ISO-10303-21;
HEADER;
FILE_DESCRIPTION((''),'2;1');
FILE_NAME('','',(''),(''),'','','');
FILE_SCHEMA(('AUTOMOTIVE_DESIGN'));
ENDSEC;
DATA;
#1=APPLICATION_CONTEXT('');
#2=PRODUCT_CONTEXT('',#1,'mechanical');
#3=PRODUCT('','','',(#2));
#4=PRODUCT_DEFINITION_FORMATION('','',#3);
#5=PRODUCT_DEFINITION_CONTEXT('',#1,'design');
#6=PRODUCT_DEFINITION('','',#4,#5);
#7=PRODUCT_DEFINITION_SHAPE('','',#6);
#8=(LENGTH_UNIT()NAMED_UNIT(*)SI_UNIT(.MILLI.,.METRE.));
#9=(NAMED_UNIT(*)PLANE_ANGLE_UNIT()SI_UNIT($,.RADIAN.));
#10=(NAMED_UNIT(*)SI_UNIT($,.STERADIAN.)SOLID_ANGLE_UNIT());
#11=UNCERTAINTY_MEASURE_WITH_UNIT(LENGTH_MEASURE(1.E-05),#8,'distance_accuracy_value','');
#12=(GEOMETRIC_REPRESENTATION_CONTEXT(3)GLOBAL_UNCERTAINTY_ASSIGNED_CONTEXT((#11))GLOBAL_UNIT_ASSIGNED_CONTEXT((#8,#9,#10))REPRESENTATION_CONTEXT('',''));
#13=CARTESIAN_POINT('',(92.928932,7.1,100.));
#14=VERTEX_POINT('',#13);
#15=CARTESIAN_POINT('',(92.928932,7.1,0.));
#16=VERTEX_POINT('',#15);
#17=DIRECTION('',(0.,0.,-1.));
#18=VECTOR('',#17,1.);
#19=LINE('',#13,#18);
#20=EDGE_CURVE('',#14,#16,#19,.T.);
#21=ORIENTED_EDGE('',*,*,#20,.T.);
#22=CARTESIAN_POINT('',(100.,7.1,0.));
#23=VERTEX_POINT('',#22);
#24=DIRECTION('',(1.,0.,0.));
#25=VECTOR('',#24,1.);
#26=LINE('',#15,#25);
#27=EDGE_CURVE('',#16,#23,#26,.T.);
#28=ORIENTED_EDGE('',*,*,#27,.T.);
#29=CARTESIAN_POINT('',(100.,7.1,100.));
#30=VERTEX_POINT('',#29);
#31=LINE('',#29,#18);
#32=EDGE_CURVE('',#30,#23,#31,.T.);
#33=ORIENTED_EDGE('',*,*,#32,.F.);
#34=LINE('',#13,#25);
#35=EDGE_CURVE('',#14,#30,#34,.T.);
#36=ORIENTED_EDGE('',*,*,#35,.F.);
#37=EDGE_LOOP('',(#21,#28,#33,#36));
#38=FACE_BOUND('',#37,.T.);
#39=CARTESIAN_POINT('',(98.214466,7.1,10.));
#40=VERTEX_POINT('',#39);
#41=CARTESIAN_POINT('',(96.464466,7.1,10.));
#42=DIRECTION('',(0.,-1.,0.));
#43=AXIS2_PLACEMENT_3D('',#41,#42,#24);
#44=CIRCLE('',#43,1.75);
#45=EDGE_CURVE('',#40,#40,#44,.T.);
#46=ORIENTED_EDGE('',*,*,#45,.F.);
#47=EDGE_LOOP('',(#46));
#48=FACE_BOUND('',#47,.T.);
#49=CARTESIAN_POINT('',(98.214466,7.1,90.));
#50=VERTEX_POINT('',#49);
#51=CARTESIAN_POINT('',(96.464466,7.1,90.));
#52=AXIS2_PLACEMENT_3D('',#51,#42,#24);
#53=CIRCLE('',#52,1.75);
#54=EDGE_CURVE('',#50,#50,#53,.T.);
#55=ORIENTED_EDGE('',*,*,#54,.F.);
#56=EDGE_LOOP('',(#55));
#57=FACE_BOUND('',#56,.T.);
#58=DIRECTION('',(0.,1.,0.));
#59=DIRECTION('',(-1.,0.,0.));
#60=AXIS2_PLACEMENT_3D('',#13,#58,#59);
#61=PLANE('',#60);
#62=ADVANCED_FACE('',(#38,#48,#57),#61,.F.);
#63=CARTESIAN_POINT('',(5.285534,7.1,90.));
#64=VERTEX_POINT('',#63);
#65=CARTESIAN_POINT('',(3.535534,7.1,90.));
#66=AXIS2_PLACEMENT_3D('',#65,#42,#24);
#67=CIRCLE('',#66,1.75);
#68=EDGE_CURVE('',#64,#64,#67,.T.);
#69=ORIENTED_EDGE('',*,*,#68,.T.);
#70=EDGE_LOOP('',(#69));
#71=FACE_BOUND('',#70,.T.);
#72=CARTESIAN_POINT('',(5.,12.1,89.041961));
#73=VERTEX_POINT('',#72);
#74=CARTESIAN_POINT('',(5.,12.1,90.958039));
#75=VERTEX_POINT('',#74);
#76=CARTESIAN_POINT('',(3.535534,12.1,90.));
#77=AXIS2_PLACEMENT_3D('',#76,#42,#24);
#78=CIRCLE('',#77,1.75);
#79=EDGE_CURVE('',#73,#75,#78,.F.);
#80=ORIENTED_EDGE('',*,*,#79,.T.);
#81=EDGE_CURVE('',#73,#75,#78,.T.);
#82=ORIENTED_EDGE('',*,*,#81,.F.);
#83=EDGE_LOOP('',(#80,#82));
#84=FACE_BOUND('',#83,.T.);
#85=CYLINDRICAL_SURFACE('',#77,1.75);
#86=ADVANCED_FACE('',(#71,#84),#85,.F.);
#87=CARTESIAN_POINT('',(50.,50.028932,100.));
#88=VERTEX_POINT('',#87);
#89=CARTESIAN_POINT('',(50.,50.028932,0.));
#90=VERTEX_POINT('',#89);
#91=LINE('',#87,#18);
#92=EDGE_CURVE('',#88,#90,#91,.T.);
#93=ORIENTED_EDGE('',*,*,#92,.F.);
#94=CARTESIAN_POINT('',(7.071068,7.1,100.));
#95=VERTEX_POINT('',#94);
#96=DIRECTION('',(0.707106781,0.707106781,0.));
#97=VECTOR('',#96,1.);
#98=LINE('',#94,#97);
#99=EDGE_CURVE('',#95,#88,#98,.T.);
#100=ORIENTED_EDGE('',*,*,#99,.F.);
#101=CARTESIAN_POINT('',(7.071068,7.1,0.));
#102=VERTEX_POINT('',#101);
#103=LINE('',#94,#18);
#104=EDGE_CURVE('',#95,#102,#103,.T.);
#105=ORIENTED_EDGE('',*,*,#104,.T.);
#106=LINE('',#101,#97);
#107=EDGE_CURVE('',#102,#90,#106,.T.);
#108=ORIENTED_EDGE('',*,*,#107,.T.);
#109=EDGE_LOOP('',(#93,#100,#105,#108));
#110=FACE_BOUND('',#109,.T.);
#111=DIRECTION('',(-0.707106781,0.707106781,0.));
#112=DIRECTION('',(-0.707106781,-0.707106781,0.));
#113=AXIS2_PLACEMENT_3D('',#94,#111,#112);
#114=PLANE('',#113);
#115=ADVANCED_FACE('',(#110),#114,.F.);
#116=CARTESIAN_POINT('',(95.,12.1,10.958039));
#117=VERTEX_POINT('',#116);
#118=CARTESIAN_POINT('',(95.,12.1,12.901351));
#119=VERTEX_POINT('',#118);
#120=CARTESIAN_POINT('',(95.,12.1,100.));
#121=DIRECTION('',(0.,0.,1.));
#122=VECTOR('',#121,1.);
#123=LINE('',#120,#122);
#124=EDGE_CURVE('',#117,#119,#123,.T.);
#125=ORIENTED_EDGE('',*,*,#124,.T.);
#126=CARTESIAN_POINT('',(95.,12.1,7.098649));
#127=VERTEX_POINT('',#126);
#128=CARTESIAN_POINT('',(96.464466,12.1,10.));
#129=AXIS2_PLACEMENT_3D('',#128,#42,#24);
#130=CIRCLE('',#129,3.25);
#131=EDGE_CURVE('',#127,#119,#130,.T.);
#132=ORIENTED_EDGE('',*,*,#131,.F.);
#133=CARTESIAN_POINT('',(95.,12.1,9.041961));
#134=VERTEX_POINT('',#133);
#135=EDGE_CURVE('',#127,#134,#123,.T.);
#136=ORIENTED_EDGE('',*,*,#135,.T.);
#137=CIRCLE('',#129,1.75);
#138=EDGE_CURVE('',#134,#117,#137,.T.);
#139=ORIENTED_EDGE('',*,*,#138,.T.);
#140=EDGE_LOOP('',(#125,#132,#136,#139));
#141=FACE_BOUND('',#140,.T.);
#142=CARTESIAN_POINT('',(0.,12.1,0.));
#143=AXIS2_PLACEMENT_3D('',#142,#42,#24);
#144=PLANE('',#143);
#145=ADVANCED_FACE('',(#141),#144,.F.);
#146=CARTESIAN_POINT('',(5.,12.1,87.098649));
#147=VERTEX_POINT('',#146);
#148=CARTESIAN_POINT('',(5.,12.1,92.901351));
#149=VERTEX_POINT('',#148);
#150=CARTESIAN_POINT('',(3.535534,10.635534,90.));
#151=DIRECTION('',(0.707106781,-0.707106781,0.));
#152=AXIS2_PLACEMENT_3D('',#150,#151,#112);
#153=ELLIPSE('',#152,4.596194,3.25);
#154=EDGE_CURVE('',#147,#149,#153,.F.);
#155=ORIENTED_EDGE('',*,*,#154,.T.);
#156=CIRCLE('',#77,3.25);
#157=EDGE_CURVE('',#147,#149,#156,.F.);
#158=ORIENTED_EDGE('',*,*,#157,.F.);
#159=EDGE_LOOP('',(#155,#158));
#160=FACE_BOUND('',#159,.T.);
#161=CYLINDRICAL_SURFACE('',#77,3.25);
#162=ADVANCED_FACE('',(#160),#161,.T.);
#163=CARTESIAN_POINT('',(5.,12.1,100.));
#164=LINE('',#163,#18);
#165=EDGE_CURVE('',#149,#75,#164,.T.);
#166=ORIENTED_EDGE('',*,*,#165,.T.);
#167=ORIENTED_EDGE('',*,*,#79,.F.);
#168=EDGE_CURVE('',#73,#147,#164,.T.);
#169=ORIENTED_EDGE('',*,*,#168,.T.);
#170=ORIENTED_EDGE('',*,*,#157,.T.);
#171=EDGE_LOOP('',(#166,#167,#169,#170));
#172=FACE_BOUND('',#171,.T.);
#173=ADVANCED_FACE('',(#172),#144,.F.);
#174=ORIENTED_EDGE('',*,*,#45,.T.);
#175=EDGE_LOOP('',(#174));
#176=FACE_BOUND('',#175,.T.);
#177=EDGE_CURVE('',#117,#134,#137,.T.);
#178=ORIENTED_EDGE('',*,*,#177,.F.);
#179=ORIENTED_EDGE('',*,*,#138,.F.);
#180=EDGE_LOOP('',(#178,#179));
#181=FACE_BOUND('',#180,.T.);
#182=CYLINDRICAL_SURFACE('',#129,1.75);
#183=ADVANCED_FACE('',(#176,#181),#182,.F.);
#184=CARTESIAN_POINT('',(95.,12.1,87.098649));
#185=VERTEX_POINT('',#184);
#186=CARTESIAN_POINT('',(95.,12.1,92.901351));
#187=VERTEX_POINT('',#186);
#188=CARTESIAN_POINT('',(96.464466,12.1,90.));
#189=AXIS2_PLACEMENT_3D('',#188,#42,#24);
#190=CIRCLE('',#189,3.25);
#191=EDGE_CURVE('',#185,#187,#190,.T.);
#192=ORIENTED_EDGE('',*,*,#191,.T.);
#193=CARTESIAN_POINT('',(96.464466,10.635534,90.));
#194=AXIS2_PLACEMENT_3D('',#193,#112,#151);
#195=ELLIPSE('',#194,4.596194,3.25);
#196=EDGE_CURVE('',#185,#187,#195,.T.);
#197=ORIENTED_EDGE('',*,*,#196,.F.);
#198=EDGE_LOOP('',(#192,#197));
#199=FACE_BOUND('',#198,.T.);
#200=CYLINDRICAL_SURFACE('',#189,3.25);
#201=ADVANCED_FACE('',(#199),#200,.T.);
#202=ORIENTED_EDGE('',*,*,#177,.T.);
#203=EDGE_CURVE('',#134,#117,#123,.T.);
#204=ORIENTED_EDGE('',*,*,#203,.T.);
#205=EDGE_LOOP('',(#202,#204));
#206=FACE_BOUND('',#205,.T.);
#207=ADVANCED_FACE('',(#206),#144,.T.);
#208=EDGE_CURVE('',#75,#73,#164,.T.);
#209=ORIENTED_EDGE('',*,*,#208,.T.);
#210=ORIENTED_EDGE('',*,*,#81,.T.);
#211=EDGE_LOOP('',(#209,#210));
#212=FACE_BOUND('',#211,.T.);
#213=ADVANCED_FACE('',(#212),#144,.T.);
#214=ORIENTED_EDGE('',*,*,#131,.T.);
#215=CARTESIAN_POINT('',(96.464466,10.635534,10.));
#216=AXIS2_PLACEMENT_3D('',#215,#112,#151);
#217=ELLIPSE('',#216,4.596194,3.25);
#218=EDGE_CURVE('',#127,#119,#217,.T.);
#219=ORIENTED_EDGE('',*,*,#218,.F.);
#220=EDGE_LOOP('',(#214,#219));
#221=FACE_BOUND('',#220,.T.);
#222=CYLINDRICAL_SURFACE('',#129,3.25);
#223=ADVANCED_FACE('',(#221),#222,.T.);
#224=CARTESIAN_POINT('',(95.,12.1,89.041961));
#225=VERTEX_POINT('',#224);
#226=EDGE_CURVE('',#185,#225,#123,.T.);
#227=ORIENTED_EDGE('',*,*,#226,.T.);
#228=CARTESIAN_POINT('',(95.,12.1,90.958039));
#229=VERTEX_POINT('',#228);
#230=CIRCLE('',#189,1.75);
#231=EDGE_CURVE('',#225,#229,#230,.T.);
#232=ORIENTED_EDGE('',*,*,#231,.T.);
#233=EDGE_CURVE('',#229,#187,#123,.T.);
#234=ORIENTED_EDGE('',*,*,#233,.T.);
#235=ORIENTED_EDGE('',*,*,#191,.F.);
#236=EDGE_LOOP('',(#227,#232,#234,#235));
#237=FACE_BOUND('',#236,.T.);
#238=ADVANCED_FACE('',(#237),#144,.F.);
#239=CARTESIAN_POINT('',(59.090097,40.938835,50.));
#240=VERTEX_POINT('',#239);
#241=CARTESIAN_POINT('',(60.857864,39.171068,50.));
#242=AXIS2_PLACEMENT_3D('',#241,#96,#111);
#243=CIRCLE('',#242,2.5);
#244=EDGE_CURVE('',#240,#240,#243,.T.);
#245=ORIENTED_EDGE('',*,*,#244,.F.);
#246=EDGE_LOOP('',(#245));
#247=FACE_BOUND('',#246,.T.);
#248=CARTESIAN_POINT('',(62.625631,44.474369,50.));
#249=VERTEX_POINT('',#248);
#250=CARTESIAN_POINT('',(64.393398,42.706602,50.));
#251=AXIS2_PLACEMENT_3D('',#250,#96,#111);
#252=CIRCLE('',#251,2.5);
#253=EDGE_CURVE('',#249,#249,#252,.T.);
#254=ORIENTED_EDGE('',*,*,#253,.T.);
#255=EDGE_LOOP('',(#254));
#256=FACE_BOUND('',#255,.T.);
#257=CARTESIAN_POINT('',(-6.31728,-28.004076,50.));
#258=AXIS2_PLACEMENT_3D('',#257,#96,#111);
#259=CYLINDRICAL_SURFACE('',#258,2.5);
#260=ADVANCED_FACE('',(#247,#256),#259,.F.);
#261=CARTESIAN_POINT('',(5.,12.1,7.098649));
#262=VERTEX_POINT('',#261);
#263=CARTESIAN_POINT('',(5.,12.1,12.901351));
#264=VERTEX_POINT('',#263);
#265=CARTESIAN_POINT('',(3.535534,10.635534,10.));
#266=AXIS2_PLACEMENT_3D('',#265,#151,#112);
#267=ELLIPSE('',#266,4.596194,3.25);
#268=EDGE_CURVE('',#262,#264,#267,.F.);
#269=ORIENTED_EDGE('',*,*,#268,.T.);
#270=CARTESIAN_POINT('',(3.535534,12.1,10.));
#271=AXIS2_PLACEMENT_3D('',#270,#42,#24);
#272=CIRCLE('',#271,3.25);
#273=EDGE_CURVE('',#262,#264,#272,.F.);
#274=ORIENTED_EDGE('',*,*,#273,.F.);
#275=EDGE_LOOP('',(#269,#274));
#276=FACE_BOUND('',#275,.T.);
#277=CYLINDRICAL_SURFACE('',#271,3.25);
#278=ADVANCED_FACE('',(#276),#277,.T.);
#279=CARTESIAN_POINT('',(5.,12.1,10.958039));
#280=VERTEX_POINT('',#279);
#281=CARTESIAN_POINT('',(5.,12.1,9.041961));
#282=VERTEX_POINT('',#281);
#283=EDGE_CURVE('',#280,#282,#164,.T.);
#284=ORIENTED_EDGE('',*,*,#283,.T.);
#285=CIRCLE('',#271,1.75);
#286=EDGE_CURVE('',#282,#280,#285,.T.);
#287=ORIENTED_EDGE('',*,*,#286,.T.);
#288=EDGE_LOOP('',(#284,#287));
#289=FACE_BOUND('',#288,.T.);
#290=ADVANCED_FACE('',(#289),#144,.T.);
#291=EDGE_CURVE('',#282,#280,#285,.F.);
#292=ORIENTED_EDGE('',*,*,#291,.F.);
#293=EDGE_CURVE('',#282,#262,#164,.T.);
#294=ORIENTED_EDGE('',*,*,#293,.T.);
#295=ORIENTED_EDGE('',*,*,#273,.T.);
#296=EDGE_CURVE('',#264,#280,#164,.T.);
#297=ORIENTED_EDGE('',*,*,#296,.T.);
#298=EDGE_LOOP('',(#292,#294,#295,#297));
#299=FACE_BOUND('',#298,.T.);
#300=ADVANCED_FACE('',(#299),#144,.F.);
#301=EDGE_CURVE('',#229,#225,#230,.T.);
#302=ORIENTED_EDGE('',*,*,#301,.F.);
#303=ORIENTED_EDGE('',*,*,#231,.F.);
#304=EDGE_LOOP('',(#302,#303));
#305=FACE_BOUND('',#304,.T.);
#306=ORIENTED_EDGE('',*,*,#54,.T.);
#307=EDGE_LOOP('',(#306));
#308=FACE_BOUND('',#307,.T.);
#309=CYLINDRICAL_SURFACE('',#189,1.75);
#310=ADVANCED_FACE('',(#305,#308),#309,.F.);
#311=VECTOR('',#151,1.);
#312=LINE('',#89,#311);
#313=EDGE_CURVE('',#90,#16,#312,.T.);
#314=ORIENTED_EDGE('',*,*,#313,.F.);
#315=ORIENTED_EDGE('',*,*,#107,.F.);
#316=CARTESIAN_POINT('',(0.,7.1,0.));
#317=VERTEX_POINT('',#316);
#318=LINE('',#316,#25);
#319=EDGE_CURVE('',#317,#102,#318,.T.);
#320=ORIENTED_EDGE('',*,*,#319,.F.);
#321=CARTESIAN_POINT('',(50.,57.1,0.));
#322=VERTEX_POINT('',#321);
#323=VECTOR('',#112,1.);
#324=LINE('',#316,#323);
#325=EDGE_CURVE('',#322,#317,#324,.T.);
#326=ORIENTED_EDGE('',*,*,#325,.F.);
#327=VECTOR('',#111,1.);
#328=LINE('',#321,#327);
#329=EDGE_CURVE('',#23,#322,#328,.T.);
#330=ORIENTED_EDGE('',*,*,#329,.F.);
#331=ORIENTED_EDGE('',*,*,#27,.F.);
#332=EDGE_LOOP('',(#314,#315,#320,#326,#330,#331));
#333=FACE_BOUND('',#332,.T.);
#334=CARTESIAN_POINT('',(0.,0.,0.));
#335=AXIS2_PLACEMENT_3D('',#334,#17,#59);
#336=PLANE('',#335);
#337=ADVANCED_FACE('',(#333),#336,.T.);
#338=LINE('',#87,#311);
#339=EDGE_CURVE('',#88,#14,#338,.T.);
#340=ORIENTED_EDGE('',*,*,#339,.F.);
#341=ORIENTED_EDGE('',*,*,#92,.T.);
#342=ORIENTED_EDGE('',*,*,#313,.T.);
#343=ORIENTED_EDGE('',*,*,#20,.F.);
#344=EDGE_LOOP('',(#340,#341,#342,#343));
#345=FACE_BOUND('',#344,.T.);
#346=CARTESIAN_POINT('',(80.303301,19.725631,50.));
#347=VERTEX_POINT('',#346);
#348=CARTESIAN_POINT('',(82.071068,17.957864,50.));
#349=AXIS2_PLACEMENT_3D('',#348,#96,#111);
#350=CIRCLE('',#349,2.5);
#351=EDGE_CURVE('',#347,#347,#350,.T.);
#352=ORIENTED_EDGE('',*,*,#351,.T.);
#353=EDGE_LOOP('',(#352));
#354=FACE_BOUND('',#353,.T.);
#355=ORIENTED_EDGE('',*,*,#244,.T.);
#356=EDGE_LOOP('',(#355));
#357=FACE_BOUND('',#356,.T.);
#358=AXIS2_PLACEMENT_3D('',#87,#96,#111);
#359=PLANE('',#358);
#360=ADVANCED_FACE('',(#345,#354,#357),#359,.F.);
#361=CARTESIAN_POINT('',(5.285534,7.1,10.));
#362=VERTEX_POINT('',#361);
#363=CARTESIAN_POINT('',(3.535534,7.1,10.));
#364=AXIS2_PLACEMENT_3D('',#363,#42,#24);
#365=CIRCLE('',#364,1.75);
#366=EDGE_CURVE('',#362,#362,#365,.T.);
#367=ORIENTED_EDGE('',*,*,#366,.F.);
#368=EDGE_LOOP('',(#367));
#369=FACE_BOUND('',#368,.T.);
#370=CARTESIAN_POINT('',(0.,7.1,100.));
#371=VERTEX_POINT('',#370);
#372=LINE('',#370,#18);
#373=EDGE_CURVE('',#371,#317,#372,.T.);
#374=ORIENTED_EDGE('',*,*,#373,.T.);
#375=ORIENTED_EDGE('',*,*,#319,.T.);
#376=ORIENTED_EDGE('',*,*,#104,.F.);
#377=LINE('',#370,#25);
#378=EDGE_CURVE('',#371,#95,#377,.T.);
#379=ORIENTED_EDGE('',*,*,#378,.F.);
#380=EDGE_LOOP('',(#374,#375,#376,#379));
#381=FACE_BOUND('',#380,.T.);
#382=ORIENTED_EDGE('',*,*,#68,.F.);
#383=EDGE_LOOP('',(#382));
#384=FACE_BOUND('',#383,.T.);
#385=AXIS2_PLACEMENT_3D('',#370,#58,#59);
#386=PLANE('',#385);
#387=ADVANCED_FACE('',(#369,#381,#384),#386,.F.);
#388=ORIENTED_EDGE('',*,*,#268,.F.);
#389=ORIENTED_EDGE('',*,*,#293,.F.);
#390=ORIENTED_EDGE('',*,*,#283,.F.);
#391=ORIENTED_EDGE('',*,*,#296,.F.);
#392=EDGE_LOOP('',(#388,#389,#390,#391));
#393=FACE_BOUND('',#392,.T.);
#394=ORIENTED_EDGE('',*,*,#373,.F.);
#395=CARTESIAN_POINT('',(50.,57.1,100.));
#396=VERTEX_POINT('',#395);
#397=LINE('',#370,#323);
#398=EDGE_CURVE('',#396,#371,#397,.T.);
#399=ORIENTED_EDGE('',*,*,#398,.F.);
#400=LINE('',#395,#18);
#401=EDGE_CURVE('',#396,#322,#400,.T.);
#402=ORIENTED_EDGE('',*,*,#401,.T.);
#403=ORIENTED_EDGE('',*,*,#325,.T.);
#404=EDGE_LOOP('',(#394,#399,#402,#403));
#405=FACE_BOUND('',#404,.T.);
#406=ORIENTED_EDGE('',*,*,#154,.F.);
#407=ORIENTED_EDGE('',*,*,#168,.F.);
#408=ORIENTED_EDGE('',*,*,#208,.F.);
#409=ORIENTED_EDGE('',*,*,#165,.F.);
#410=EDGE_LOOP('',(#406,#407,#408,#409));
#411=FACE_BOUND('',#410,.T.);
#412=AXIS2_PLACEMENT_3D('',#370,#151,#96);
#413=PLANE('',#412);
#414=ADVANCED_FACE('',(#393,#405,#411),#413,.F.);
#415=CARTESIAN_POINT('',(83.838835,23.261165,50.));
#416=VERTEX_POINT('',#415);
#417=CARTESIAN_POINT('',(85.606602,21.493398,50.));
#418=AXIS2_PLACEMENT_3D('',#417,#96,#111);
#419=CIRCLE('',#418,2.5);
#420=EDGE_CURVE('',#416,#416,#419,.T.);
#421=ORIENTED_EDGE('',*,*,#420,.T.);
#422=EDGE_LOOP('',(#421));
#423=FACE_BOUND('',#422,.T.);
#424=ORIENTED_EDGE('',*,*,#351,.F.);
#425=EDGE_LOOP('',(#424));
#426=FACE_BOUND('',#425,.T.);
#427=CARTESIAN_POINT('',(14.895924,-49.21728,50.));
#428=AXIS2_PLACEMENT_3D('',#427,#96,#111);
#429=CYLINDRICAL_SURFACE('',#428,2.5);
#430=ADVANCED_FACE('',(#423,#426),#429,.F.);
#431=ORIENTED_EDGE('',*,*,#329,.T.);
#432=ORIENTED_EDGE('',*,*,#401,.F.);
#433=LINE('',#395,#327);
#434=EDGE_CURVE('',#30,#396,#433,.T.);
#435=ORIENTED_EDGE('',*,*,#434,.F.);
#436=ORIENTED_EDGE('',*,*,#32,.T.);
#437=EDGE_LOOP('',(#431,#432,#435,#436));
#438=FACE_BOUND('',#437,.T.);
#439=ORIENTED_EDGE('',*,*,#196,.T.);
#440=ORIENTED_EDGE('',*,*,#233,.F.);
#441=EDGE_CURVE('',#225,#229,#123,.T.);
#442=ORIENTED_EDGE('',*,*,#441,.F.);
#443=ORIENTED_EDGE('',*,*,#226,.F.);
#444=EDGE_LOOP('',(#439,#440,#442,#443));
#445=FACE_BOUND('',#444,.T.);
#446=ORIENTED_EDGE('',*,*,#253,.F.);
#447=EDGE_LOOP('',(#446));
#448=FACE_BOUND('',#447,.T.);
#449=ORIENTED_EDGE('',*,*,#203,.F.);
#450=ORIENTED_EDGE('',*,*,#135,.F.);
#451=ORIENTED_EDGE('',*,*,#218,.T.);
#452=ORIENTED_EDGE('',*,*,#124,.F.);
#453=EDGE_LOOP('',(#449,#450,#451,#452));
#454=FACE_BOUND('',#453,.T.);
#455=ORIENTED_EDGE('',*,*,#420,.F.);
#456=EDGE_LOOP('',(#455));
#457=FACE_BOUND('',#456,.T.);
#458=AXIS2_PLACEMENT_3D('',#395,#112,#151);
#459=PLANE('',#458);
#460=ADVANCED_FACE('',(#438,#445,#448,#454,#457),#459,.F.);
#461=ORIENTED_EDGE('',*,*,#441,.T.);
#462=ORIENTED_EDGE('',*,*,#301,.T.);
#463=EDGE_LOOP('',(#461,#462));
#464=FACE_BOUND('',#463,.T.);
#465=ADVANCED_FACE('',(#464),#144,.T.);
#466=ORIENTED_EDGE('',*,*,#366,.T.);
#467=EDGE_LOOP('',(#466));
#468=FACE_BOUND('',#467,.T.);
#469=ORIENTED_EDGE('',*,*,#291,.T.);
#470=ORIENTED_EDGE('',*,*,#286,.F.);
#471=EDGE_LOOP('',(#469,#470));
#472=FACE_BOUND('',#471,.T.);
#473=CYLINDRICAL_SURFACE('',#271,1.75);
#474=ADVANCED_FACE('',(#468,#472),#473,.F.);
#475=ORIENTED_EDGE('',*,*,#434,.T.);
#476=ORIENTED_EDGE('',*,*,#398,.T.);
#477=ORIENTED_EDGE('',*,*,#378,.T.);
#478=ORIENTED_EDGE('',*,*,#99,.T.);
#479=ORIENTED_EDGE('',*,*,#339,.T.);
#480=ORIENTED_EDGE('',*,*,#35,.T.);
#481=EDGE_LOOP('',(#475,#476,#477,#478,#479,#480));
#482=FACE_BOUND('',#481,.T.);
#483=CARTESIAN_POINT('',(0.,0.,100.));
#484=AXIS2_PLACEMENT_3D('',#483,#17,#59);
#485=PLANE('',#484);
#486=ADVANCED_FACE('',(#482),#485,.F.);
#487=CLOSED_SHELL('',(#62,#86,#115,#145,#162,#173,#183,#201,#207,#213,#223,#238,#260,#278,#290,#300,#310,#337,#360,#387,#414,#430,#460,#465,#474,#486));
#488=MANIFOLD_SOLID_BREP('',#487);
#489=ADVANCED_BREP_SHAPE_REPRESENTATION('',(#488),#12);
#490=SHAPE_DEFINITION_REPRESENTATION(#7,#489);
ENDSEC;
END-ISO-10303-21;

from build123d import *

# Parameters (mm, degrees)
EXTRUDE_1_DEPTH     = 100
SKETCH_2_R          = 2.5
CUT_EXTRUDE_1_DEPTH = 100
SKETCH_3_R          = 3.25
SKETCH_3_R_2        = 1.75
EXTRUDE_2_DEPTH     = 5
SKETCH_4_R          = 1.75
CUT_EXTRUDE_3_DEPTH = 5
SKETCH_5_R          = 3.25
SKETCH_5_R_2        = 1.75
EXTRUDE_3_DEPTH     = 5
SKETCH_6_R          = 1.75
CUT_EXTRUDE_4_DEPTH = 5


with BuildPart() as part:
    # 草图1 → 凸台-拉伸1 (new body)
    with BuildSketch(Plane.XY):
        Polygon((0, 7.1), (50, 57.1), (100, 7.1), (92.928932188, 7.1), (50, 50.028932188), (7.071067812, 7.1), align=None)
    extrude(amount=EXTRUDE_1_DEPTH)

    # 草图2 → 切除-拉伸1 (cut)
    with BuildSketch(Plane(origin=(53.55, 53.55, 0), x_dir=(0, 0, -1), z_dir=(0.7071067811865474, 0.7071067811865477, 0))):
        with Locations(Location((-50, -15.334880913, 0), (0, 0, 90))):
            Circle(SKETCH_2_R)
        with Locations(Location((-50, -45.334880913, 0), (0, 0, 90))):
            Circle(SKETCH_2_R)
    extrude(amount=-CUT_EXTRUDE_1_DEPTH, mode=Mode.SUBTRACT)

    # 草图3 → 凸台-拉伸2 (add)
    # profile 1 of 2: a face of its own
    with BuildSketch(Plane.XZ.offset(-7.1)):
        with Locations((96.464466094, 90)):
            Circle(SKETCH_3_R)
        with Locations((96.464466094, 90)):
            Circle(SKETCH_3_R_2, mode=Mode.SUBTRACT)
    # profile 2 of 2: a face of its own
    with BuildSketch(Plane.XZ.offset(-7.1)):
        with Locations((96.464466094, 10)):
            Circle(SKETCH_3_R)
        with Locations((96.464466094, 10)):
            Circle(SKETCH_3_R_2, mode=Mode.SUBTRACT)
    extrude(amount=-EXTRUDE_2_DEPTH)

    # 草图4 → 切除-拉伸3 (cut)
    with BuildSketch(Plane.XZ.offset(-7.1)):
        with Locations((96.464466094, 90)):
            Circle(SKETCH_4_R)
        with Locations((96.464466094, 10)):
            Circle(SKETCH_4_R)
    extrude(amount=-CUT_EXTRUDE_3_DEPTH, mode=Mode.SUBTRACT)

    # 草图5 → 凸台-拉伸3 (add)
    # profile 1 of 2: a face of its own
    with BuildSketch(Plane.XZ.offset(-7.1)):
        with Locations((3.535533906, 90)):
            Circle(SKETCH_5_R)
        with Locations((3.535533906, 90)):
            Circle(SKETCH_5_R_2, mode=Mode.SUBTRACT)
    # profile 2 of 2: a face of its own
    with BuildSketch(Plane.XZ.offset(-7.1)):
        with Locations((3.535533906, 10)):
            Circle(SKETCH_5_R)
        with Locations((3.535533906, 10)):
            Circle(SKETCH_5_R_2, mode=Mode.SUBTRACT)
    extrude(amount=-EXTRUDE_3_DEPTH)

    # 草图6 → 切除-拉伸4 (cut)
    with BuildSketch(Plane.XZ.offset(-7.1)):
        with Locations((3.535533906, 10)):
            Circle(SKETCH_6_R)
        with Locations((3.535533906, 90)):
            Circle(SKETCH_6_R)
    extrude(amount=-CUT_EXTRUDE_4_DEPTH, mode=Mode.SUBTRACT)


solid = part.part
